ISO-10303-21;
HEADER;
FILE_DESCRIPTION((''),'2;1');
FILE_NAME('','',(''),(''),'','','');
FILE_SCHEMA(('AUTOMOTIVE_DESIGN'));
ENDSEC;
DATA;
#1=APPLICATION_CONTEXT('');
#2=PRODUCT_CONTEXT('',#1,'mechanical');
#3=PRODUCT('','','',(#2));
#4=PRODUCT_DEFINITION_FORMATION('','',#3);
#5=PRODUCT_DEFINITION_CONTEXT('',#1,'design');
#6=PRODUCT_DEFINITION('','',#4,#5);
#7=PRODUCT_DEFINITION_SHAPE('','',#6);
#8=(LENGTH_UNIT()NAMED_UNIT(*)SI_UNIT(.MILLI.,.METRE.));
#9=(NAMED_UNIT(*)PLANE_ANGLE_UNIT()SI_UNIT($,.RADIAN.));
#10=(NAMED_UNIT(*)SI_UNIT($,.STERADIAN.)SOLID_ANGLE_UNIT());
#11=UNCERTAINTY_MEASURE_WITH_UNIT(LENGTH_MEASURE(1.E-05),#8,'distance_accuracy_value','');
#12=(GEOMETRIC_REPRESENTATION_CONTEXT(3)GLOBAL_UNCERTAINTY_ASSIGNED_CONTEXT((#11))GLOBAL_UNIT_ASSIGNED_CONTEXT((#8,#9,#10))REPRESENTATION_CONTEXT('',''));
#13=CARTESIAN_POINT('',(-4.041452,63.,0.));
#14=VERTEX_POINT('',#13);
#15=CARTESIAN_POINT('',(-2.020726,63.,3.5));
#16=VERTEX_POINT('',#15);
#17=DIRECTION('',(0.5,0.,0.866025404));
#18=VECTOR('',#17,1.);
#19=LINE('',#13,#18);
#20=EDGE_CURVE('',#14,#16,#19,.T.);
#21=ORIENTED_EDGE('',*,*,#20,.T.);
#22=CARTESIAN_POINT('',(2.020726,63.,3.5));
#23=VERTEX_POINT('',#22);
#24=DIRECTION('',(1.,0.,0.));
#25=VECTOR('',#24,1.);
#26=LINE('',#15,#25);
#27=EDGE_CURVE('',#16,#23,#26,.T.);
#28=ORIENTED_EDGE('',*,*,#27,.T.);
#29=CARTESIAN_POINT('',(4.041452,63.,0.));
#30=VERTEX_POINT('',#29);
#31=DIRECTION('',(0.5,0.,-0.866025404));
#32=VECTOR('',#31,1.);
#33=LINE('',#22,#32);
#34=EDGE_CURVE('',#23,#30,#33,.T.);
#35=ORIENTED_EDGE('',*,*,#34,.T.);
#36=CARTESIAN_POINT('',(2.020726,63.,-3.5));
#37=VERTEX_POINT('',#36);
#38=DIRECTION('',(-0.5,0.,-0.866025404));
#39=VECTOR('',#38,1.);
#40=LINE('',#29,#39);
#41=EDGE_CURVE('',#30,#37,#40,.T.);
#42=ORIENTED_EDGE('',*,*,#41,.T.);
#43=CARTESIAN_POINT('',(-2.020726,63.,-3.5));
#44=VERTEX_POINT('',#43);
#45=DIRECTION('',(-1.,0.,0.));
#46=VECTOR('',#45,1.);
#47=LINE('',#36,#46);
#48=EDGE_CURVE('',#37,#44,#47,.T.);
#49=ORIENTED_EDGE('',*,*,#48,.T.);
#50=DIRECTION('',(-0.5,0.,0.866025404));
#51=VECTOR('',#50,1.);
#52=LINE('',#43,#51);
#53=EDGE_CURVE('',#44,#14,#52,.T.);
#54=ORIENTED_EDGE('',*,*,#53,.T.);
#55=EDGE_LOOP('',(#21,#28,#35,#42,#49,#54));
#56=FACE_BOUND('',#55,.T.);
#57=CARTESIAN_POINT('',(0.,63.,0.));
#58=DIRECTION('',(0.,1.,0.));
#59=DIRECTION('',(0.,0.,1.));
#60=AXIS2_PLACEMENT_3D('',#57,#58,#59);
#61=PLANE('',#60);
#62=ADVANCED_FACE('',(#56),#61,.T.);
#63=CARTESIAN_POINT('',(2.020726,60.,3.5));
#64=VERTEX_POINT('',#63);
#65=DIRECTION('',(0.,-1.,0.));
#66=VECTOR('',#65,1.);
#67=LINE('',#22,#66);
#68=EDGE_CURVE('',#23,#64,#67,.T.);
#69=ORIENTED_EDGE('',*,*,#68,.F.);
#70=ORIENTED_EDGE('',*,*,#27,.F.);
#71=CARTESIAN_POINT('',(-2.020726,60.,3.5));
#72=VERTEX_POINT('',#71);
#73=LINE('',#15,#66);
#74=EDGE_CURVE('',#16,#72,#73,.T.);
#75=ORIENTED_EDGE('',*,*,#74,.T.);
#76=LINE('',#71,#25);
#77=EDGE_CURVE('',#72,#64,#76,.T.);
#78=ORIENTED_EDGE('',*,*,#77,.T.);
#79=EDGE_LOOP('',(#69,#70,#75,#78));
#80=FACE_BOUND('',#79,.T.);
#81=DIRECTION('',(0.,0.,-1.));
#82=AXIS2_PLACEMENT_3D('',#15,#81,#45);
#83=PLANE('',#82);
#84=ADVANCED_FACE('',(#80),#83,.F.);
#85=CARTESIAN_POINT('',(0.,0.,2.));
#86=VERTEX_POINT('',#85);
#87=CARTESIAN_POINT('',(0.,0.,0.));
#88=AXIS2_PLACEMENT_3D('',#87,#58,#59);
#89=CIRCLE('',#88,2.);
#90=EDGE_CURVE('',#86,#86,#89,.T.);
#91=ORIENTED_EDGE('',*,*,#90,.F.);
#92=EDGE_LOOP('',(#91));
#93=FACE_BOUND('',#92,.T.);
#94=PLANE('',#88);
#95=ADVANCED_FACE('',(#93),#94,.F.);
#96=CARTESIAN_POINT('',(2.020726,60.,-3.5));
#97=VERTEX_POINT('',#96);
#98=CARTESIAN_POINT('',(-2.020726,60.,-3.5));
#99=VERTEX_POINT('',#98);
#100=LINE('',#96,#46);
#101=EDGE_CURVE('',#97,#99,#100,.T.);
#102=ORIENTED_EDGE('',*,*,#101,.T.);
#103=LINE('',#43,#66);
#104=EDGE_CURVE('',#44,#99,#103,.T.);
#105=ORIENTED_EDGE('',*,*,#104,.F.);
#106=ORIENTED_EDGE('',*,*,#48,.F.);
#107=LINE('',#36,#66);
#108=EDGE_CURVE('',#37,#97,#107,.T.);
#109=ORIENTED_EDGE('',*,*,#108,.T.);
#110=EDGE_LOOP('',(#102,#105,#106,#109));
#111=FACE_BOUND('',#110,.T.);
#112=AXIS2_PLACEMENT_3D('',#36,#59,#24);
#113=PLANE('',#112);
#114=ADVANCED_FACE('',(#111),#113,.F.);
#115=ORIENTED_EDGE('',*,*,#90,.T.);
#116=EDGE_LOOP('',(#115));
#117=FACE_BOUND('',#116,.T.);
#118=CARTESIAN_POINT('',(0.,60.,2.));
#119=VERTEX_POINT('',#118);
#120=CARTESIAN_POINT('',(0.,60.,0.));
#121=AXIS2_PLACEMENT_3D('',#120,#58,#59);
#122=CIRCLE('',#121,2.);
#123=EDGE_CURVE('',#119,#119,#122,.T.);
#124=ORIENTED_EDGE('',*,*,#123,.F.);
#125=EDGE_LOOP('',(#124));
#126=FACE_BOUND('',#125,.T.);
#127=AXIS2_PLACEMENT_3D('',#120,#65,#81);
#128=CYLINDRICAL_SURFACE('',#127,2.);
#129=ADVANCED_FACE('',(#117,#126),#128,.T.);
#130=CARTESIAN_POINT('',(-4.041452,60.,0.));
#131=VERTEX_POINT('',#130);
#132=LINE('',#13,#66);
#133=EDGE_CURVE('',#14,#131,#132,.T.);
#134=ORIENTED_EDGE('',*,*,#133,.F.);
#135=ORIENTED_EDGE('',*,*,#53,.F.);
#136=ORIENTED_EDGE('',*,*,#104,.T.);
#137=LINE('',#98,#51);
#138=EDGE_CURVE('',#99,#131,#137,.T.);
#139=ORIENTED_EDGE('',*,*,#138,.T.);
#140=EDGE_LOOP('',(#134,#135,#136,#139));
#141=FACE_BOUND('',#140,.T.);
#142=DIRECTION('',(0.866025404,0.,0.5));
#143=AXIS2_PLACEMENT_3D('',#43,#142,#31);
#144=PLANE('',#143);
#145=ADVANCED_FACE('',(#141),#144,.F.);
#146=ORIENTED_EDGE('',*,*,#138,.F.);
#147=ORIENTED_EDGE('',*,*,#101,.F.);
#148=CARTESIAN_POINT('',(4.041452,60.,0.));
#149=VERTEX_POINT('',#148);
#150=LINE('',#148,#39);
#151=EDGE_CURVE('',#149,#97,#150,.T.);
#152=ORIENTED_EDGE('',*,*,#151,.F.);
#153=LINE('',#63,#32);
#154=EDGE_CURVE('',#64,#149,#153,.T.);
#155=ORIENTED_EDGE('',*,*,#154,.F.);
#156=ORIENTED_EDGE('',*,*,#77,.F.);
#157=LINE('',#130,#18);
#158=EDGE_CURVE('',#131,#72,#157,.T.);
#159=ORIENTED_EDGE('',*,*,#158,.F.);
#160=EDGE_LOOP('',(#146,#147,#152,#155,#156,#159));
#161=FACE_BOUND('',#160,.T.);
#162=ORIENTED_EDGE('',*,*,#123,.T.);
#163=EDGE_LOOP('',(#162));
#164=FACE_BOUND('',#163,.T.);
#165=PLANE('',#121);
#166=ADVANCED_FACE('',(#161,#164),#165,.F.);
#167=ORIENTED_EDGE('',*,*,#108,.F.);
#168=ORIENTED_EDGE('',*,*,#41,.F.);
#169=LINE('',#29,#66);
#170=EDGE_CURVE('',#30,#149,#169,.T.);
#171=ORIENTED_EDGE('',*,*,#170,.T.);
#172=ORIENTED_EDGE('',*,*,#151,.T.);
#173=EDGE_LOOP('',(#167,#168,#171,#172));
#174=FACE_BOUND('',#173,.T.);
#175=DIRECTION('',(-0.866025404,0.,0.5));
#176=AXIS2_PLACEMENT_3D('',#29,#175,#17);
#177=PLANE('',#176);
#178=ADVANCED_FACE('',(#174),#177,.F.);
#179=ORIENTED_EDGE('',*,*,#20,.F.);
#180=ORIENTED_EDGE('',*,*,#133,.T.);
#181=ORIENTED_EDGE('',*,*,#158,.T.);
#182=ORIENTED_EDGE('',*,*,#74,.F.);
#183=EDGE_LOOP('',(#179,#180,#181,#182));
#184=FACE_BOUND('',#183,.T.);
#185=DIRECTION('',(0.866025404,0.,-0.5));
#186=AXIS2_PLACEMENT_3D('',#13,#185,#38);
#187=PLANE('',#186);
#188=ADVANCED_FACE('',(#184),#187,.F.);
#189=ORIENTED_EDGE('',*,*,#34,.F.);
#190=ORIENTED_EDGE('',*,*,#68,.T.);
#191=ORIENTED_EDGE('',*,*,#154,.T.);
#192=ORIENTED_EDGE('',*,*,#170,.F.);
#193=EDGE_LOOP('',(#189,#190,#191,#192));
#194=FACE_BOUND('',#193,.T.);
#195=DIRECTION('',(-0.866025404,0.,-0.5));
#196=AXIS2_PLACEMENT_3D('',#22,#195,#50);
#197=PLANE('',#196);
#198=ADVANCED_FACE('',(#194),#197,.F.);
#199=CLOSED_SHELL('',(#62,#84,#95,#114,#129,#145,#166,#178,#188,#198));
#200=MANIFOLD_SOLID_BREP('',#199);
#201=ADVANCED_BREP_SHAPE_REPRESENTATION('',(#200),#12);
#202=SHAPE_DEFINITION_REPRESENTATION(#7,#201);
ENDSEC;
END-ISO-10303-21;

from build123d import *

# Parameters (mm, degrees)
SKETCH1_R           = 2
BOSS_EXTRUDE1_DEPTH = 60
BOSS_EXTRUDE2_DEPTH = 3


with BuildPart() as part:
    # Sketch1 → Boss-Extrude1 (new body)
    with BuildSketch(Plane(origin=(0, 0, 0), x_dir=(1, 0, 0), z_dir=(0, 1, 0))):
        with Locations(Location((0, 0, 0), (0, 0, 270))):
            Circle(SKETCH1_R)
    extrude(amount=BOSS_EXTRUDE1_DEPTH)

    # Sketch2 → Boss-Extrude2 (add)
    with BuildSketch(Plane(origin=(0, 60, 0), x_dir=(1, 0, 0), z_dir=(0, 1, 0))):
        Polygon((4.041451884, 0), (2.020725942, 3.5), (-2.020725942, 3.5), (-4.041451884, 0), (-2.020725942, -3.5), (2.020725942, -3.5), align=None)
    extrude(amount=BOSS_EXTRUDE2_DEPTH)


solid = part.part
